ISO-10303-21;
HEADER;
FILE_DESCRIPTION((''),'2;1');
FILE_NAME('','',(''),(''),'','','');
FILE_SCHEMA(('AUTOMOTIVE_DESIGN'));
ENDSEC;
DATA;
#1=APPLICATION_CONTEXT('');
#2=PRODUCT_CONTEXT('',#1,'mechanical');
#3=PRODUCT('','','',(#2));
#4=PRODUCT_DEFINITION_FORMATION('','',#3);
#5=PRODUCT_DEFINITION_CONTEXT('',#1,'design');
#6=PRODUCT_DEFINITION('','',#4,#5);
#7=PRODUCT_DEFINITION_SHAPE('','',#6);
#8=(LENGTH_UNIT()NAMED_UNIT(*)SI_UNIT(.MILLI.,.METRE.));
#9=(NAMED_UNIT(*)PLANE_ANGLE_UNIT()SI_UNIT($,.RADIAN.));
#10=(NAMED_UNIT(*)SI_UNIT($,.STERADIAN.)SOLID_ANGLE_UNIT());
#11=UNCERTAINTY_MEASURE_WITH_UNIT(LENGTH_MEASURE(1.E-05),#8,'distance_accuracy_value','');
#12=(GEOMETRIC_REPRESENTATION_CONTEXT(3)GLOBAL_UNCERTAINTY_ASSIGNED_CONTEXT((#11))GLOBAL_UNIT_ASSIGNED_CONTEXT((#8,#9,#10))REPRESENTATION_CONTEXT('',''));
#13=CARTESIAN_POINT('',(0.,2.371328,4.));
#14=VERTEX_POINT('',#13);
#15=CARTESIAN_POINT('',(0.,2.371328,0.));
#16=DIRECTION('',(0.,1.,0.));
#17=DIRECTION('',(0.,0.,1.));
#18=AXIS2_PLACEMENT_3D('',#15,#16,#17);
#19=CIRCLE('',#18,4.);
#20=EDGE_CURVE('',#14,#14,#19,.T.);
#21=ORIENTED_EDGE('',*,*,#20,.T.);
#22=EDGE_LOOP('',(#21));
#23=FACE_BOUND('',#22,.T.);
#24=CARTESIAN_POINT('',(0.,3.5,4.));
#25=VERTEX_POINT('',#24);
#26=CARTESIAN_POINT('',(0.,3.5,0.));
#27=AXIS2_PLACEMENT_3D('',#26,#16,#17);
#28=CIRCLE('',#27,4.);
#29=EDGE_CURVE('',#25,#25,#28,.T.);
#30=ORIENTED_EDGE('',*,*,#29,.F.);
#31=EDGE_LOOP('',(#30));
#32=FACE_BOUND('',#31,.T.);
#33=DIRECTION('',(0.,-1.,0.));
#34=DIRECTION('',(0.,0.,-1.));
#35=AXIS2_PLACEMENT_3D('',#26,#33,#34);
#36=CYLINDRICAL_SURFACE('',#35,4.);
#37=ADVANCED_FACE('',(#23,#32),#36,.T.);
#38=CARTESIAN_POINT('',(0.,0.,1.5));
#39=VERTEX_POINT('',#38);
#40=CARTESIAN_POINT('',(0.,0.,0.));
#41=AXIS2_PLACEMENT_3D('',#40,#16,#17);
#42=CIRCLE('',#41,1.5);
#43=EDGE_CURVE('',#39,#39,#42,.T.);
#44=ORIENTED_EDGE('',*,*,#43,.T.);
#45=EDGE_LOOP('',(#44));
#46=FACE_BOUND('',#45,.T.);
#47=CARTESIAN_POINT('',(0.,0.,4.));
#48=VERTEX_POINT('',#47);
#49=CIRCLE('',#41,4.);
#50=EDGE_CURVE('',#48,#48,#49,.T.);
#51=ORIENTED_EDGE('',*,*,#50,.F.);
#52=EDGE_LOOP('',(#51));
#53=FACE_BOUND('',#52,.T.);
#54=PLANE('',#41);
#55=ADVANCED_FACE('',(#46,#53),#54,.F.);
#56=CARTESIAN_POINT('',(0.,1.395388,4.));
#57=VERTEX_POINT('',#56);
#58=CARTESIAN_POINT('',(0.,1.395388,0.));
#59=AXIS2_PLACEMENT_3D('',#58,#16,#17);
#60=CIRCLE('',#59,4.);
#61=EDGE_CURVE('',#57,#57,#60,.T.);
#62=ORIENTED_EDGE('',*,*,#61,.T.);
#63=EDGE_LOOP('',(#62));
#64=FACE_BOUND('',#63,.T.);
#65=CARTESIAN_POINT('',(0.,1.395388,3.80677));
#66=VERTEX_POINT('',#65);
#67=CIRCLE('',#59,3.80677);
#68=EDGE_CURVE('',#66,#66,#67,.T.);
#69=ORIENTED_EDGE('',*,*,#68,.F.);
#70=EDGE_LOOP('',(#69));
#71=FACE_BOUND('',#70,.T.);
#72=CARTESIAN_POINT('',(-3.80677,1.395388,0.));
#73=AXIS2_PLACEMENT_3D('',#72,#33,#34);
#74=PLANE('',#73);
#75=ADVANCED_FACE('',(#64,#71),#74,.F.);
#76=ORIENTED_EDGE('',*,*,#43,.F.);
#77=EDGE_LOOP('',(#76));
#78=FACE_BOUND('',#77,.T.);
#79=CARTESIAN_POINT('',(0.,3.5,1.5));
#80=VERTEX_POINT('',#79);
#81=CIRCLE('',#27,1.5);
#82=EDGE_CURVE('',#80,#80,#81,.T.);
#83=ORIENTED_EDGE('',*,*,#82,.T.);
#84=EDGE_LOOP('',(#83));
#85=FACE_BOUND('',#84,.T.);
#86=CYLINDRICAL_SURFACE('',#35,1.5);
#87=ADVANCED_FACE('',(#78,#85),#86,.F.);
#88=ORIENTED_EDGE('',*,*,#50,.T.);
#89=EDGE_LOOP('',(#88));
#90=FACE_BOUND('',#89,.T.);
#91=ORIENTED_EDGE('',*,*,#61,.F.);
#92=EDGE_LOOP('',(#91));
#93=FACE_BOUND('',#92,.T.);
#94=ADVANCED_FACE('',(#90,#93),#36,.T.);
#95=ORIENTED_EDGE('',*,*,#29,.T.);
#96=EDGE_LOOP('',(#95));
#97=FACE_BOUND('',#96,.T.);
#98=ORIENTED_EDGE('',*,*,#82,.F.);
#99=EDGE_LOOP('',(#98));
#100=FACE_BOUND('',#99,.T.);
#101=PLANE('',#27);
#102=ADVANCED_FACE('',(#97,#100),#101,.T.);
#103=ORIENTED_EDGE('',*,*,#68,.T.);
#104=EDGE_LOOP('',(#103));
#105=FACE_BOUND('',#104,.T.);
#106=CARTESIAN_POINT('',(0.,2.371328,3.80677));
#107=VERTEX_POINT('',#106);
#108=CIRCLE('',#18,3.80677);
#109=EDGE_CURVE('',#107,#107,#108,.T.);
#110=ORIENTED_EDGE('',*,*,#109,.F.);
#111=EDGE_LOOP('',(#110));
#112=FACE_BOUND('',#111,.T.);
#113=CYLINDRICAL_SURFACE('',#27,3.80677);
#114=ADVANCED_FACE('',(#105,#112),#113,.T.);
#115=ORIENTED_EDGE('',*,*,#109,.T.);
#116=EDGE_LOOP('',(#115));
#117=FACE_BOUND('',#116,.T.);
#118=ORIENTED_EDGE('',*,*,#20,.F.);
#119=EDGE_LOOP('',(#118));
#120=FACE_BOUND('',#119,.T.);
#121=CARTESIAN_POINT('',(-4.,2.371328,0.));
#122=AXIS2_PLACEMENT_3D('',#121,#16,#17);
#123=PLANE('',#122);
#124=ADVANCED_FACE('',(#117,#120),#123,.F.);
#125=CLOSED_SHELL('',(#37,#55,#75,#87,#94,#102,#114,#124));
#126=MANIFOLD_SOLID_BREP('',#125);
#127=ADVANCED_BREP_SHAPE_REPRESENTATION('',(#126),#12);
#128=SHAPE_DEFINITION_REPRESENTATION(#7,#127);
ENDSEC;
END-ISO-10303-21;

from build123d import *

# Parameters (mm, degrees)
SKETCH_1_R      = 4
SKETCH_1_R_2    = 1.5
EXTRUDE_1_DEPTH = 3.5
SKETCH_2_W      = 0.193229727
SKETCH_2_H      = 0.975939513


with BuildPart() as part:
    # 草图1 → 凸台-拉伸1 (new body)
    with BuildSketch(Plane(origin=(0, 0, 0), x_dir=(1, 0, 0), z_dir=(0, 1, 0))):
        with Locations(Location((0, 0, 0), (0, 0, 270))):
            Circle(SKETCH_1_R)
        with Locations(Location((0, 0, 0), (0, 0, 270))):
            Circle(SKETCH_1_R_2, mode=Mode.SUBTRACT)
    extrude(amount=EXTRUDE_1_DEPTH)

    # 草图2 → 切除-旋转1 (revolve, cut)
    with BuildSketch(Plane.XY, mode=Mode.PRIVATE) as cut_revolve_1_sk:
        with Locations((-3.903385136, 1.883358194)):
            Rectangle(SKETCH_2_W, SKETCH_2_H)
    revolve(cut_revolve_1_sk.sketch.rotate(Axis((0, 3.5, 0), (0, -1, 0)), 270), axis=Axis((0, 3.5, 0), (0, -1, 0)), mode=Mode.SUBTRACT)


solid = part.part
